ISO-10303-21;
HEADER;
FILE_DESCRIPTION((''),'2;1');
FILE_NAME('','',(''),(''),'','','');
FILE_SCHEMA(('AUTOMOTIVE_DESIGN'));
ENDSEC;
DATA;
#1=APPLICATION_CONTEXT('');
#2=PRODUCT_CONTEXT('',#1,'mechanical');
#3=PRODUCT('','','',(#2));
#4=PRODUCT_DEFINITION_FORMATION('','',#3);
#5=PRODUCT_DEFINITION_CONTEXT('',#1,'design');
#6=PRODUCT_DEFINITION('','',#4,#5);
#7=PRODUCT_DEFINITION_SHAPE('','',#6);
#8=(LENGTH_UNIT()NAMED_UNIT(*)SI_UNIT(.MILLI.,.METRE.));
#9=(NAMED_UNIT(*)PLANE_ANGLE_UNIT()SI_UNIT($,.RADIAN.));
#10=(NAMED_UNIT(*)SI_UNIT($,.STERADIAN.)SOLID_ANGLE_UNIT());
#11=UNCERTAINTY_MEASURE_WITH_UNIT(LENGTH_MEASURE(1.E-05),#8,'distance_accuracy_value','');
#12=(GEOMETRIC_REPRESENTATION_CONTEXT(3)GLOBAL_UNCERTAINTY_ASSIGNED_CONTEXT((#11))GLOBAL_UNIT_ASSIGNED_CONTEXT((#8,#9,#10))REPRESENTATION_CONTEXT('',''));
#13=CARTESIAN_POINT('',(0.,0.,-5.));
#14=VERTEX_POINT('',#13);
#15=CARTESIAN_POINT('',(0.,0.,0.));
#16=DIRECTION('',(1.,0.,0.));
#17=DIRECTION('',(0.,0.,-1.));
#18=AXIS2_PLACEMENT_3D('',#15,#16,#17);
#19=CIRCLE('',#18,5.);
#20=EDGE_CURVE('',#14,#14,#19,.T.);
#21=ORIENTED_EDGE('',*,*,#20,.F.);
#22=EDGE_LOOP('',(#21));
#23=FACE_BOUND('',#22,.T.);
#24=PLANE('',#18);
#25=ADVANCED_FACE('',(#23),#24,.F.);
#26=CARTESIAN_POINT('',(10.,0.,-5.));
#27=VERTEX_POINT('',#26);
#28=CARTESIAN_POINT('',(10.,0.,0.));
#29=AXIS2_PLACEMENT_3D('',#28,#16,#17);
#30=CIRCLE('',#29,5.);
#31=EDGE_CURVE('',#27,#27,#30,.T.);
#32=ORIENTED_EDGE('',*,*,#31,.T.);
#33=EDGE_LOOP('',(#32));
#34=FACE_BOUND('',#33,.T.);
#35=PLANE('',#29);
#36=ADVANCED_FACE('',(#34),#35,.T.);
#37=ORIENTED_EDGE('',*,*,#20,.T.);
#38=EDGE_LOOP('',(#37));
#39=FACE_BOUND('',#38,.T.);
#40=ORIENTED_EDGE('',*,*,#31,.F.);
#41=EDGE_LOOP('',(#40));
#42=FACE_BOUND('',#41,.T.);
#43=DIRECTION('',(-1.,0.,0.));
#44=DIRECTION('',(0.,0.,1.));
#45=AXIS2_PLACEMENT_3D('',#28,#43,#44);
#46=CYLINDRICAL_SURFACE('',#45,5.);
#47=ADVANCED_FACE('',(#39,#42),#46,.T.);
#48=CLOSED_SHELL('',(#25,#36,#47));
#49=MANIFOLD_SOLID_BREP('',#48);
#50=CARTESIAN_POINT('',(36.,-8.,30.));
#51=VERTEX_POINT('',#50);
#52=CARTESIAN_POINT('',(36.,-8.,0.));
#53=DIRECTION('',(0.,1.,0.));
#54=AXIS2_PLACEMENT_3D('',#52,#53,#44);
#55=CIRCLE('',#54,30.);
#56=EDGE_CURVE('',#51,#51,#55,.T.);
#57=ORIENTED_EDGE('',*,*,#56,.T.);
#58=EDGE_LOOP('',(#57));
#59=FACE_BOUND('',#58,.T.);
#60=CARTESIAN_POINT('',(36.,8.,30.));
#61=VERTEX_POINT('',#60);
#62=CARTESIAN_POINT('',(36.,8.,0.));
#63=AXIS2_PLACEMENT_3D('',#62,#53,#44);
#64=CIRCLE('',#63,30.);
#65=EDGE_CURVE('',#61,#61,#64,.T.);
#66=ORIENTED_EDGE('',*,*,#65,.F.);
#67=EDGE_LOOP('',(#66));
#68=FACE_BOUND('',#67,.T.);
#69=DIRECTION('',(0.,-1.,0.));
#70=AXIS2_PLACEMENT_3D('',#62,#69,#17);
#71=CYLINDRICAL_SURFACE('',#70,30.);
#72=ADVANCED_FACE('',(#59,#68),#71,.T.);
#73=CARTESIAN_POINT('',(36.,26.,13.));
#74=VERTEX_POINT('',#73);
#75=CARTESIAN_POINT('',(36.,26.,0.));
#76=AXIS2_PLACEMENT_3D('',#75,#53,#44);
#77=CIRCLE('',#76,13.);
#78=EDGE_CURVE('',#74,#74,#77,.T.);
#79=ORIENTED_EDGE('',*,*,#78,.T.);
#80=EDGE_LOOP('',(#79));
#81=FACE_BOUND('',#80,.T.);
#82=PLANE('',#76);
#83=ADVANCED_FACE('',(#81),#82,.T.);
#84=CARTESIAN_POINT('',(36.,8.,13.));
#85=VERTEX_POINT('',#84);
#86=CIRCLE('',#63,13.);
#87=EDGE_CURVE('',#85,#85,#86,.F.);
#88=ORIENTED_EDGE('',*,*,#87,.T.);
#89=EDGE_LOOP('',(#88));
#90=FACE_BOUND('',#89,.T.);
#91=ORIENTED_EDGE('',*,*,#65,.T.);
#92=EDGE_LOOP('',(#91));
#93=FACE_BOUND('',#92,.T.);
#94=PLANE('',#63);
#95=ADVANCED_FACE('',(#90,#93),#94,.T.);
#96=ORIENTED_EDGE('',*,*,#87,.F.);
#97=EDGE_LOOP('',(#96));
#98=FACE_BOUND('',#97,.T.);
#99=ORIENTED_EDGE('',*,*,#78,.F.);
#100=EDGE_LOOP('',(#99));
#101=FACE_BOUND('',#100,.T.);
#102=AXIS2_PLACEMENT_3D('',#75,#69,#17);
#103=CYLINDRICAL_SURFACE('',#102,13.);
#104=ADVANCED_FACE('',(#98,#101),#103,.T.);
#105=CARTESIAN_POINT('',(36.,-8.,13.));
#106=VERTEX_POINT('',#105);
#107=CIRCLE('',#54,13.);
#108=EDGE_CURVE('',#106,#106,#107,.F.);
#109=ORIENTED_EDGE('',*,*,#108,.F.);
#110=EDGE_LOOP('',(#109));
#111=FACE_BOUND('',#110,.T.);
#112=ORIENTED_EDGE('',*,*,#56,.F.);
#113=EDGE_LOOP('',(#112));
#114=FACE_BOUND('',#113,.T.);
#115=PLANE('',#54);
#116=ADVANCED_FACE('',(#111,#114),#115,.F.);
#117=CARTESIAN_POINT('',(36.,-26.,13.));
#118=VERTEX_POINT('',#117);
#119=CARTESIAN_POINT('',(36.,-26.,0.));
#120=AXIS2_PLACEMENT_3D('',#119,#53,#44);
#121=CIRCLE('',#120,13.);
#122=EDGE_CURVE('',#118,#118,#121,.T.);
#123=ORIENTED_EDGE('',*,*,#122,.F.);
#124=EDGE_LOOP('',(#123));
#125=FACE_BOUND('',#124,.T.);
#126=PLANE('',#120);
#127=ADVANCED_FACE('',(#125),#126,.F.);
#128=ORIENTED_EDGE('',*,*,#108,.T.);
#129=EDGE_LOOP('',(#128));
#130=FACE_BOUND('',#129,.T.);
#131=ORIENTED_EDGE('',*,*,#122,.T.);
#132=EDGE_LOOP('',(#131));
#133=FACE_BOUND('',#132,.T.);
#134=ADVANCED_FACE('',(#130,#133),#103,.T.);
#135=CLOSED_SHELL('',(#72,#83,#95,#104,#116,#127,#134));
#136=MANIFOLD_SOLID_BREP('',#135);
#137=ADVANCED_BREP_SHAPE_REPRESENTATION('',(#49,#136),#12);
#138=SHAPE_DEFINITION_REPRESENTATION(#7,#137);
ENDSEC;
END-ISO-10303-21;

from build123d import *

# Parameters (mm, degrees)
SKETCH1_R           = 5
BOSS_EXTRUDE1_DEPTH = 10
SKETCH4_R           = 30
BOSS_EXTRUDE4_DEPTH = 8
SKETCH5_R           = 13
BOSS_EXTRUDE5_DEPTH = 26


with BuildPart() as part:
    # Sketch1 → Boss-Extrude1 (new body)
    with BuildSketch(Plane(origin=(0, 0, 0), x_dir=(0, 0, -1), z_dir=(1, 0, 0))):
        Circle(SKETCH1_R)
    extrude(amount=BOSS_EXTRUDE1_DEPTH)


with BuildPart() as body_2:
    # Sketch4 → Boss-Extrude4 (new body, symmetric)
    with BuildSketch(Plane(origin=(0, 0, 0), x_dir=(1, 0, 0), z_dir=(0, 1, 0))):
        with Locations((36, 0)):
            Circle(SKETCH4_R)
    extrude(amount=BOSS_EXTRUDE4_DEPTH, both=True)

    # Sketch5 → Boss-Extrude5 (add, symmetric)
    with BuildSketch(Plane(origin=(0, 0, 0), x_dir=(1, 0, 0), z_dir=(0, 1, 0))):
        with Locations((36, 0)):
            Circle(SKETCH5_R)
    extrude(amount=BOSS_EXTRUDE5_DEPTH, both=True)


solid = Compound([part.part, body_2.part])
